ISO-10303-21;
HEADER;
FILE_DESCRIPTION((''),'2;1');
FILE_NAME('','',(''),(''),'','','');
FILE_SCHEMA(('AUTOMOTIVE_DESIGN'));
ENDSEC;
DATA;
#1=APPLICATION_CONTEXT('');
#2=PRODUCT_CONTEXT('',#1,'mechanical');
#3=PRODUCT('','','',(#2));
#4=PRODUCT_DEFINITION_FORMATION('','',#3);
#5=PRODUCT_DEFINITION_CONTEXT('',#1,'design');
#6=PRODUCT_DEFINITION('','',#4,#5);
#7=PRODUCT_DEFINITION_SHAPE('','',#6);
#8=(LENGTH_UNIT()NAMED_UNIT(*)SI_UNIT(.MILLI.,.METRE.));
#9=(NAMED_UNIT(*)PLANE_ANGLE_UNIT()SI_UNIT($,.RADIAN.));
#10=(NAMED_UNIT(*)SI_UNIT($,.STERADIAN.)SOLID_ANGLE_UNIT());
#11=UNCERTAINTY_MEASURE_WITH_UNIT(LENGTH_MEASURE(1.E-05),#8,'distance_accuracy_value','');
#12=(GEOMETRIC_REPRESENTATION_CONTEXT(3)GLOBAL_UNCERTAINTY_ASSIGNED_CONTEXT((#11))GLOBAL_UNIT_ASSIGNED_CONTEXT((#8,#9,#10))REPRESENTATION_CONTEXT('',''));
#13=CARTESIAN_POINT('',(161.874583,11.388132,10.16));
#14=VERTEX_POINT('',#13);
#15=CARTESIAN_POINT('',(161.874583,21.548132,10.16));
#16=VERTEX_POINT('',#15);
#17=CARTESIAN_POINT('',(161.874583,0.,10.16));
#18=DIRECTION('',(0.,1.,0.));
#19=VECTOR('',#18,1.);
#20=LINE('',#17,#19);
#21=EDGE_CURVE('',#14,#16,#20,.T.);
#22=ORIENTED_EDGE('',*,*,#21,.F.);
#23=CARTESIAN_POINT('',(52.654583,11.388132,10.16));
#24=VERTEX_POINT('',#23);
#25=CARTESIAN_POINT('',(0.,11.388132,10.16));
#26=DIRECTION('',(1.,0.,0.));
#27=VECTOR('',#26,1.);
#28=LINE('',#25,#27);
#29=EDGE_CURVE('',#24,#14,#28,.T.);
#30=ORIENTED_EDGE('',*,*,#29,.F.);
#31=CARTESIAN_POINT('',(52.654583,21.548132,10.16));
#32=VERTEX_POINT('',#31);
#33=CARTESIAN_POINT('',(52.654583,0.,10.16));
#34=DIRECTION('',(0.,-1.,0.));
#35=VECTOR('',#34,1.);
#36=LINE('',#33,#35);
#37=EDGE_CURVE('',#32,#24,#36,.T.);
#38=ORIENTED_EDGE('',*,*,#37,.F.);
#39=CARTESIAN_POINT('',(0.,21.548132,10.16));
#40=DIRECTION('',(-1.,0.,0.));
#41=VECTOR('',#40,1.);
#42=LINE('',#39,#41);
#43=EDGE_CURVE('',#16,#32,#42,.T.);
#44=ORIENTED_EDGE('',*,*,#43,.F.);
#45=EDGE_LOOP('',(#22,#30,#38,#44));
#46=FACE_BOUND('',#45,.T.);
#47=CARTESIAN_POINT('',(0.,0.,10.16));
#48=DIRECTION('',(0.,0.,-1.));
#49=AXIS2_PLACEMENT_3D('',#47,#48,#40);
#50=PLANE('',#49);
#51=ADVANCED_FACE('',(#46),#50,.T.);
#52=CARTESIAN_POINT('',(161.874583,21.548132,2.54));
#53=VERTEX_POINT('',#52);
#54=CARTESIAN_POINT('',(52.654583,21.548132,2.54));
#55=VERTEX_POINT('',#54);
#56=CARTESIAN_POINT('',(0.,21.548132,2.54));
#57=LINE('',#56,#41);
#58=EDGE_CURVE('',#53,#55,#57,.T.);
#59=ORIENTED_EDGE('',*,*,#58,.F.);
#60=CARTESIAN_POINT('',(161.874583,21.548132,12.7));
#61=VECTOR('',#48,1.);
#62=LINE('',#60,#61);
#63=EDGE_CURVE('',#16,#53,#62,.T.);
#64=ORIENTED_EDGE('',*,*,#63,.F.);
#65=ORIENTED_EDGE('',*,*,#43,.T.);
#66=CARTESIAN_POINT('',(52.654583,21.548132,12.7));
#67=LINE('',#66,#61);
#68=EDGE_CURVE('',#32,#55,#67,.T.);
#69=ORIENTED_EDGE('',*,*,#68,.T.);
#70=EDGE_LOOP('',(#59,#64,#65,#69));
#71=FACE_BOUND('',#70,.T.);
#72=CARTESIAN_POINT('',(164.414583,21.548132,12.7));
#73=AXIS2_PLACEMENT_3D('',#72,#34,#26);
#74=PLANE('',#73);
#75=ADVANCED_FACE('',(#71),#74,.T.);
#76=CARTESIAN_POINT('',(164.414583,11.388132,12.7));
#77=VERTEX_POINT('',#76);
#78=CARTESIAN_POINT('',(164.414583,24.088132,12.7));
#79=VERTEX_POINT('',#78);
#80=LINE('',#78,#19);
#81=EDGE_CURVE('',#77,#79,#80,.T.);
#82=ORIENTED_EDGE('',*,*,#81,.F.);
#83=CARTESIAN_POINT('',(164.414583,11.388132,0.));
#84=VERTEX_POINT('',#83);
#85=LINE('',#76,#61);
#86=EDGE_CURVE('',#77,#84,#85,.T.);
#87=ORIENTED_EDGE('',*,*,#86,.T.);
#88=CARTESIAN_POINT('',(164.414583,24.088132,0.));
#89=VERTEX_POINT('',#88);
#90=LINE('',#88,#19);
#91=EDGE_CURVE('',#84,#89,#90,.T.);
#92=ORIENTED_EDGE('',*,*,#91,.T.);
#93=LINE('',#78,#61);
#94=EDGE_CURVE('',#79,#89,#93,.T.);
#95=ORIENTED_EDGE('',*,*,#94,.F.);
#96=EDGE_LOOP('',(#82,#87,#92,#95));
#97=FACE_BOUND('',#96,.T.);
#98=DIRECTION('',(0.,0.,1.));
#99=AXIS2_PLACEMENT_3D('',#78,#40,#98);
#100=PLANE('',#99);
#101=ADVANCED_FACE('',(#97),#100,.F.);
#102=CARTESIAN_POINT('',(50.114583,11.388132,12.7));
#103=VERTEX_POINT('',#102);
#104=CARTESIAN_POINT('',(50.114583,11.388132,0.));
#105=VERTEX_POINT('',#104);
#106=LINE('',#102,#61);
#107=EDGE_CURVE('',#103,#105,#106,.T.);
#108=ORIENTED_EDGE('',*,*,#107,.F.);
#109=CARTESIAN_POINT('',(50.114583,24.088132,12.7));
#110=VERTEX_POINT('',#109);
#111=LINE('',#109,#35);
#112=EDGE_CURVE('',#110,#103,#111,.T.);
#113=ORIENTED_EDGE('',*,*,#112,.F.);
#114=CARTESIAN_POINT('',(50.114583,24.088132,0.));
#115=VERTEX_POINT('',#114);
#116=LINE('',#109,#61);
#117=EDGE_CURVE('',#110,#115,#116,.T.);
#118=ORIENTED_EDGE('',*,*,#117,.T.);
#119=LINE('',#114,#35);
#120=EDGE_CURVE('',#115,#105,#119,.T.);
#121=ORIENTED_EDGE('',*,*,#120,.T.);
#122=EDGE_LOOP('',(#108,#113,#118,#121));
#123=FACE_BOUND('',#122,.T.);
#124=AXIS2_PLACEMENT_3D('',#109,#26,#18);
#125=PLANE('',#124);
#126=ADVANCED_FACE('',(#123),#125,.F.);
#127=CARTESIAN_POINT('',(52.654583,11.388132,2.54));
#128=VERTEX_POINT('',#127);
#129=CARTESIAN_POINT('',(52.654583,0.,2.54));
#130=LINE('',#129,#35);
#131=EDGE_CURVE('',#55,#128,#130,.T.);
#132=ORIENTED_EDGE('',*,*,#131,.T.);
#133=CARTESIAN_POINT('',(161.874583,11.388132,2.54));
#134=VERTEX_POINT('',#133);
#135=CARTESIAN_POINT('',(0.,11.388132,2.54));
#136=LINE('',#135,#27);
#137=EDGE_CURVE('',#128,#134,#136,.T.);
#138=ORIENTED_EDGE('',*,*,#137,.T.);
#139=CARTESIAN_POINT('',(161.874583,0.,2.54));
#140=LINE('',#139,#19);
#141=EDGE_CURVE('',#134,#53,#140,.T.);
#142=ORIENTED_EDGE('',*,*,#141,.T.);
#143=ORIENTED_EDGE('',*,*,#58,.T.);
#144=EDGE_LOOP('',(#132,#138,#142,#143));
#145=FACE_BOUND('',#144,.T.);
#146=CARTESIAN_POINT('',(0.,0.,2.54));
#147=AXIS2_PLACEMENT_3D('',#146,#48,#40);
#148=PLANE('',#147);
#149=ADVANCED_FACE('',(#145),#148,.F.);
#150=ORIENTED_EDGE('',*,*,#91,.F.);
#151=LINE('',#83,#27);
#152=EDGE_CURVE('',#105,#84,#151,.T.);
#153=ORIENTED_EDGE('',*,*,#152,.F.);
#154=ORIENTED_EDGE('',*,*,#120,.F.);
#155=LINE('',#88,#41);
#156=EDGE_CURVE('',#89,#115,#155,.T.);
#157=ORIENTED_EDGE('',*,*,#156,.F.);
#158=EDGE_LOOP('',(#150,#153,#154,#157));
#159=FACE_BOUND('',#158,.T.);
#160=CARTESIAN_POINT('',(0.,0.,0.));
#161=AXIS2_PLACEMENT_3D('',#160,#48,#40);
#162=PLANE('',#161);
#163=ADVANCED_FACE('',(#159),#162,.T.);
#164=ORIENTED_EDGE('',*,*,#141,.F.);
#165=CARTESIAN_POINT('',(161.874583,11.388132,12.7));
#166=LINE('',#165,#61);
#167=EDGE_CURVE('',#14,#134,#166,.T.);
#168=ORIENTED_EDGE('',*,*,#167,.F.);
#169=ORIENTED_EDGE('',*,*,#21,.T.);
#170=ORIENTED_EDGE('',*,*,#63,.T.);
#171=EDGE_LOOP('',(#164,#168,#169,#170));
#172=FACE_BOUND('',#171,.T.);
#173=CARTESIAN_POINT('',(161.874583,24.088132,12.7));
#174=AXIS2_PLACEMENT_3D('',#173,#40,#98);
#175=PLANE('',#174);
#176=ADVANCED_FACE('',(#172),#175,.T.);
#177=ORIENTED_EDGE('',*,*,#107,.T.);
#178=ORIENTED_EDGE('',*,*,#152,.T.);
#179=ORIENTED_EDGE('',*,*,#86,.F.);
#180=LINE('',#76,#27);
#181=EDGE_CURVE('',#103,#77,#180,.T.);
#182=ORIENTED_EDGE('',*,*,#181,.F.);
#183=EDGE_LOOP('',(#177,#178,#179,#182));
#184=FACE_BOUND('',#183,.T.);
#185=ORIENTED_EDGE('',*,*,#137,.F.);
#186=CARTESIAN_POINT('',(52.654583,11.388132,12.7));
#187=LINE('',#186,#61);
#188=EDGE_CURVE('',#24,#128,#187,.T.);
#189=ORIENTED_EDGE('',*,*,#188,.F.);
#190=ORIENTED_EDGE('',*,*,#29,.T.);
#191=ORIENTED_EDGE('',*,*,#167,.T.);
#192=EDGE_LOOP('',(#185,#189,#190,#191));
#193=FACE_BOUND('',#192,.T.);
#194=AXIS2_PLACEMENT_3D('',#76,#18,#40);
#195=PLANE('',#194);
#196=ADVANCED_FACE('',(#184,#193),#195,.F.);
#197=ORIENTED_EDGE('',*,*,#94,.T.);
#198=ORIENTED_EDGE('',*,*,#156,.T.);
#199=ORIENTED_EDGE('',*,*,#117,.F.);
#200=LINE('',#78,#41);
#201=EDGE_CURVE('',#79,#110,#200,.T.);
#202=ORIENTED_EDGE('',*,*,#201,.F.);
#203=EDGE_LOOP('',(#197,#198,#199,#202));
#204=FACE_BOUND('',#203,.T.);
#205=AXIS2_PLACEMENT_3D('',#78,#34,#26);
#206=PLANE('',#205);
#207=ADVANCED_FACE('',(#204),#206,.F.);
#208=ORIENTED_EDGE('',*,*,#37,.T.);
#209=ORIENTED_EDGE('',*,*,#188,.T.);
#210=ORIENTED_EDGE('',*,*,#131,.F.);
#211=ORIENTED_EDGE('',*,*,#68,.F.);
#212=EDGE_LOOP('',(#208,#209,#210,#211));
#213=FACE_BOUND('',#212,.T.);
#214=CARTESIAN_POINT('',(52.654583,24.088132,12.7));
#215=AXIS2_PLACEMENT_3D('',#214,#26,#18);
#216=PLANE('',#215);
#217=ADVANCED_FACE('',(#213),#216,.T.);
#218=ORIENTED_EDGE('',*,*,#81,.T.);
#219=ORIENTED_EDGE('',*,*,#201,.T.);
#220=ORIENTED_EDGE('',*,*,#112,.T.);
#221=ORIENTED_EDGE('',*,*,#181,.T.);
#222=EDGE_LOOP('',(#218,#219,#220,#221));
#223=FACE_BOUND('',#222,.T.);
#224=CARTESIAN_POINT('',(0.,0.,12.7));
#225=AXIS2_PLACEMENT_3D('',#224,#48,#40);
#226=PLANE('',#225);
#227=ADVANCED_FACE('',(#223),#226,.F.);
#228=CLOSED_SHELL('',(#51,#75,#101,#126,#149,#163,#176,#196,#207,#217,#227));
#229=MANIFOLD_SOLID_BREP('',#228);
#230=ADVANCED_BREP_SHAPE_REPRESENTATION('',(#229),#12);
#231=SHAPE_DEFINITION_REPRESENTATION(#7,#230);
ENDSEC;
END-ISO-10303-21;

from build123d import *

# Parameters (mm, degrees)
SKETCH4_W           = 114.3
SKETCH4_H           = 12.7
BOSS_EXTRUDE1_DEPTH = 12.7
SHELL4_T            = -2.54


with BuildPart() as part:
    # Sketch4 → Boss-Extrude1 (new body)
    with BuildSketch(Plane.XY):
        with Locations((107.264583379, 17.738132345)):
            Rectangle(SKETCH4_W, SKETCH4_H)
    extrude(amount=BOSS_EXTRUDE1_DEPTH)

    # Shell4
    shell4_openings = [part.faces().sort_by_distance(p)[0] for p in [
        (107.264583379, 11.388132345, 6.35),
    ]]
    offset(amount=SHELL4_T, openings=shell4_openings, kind=Kind.INTERSECTION)


solid = part.part
